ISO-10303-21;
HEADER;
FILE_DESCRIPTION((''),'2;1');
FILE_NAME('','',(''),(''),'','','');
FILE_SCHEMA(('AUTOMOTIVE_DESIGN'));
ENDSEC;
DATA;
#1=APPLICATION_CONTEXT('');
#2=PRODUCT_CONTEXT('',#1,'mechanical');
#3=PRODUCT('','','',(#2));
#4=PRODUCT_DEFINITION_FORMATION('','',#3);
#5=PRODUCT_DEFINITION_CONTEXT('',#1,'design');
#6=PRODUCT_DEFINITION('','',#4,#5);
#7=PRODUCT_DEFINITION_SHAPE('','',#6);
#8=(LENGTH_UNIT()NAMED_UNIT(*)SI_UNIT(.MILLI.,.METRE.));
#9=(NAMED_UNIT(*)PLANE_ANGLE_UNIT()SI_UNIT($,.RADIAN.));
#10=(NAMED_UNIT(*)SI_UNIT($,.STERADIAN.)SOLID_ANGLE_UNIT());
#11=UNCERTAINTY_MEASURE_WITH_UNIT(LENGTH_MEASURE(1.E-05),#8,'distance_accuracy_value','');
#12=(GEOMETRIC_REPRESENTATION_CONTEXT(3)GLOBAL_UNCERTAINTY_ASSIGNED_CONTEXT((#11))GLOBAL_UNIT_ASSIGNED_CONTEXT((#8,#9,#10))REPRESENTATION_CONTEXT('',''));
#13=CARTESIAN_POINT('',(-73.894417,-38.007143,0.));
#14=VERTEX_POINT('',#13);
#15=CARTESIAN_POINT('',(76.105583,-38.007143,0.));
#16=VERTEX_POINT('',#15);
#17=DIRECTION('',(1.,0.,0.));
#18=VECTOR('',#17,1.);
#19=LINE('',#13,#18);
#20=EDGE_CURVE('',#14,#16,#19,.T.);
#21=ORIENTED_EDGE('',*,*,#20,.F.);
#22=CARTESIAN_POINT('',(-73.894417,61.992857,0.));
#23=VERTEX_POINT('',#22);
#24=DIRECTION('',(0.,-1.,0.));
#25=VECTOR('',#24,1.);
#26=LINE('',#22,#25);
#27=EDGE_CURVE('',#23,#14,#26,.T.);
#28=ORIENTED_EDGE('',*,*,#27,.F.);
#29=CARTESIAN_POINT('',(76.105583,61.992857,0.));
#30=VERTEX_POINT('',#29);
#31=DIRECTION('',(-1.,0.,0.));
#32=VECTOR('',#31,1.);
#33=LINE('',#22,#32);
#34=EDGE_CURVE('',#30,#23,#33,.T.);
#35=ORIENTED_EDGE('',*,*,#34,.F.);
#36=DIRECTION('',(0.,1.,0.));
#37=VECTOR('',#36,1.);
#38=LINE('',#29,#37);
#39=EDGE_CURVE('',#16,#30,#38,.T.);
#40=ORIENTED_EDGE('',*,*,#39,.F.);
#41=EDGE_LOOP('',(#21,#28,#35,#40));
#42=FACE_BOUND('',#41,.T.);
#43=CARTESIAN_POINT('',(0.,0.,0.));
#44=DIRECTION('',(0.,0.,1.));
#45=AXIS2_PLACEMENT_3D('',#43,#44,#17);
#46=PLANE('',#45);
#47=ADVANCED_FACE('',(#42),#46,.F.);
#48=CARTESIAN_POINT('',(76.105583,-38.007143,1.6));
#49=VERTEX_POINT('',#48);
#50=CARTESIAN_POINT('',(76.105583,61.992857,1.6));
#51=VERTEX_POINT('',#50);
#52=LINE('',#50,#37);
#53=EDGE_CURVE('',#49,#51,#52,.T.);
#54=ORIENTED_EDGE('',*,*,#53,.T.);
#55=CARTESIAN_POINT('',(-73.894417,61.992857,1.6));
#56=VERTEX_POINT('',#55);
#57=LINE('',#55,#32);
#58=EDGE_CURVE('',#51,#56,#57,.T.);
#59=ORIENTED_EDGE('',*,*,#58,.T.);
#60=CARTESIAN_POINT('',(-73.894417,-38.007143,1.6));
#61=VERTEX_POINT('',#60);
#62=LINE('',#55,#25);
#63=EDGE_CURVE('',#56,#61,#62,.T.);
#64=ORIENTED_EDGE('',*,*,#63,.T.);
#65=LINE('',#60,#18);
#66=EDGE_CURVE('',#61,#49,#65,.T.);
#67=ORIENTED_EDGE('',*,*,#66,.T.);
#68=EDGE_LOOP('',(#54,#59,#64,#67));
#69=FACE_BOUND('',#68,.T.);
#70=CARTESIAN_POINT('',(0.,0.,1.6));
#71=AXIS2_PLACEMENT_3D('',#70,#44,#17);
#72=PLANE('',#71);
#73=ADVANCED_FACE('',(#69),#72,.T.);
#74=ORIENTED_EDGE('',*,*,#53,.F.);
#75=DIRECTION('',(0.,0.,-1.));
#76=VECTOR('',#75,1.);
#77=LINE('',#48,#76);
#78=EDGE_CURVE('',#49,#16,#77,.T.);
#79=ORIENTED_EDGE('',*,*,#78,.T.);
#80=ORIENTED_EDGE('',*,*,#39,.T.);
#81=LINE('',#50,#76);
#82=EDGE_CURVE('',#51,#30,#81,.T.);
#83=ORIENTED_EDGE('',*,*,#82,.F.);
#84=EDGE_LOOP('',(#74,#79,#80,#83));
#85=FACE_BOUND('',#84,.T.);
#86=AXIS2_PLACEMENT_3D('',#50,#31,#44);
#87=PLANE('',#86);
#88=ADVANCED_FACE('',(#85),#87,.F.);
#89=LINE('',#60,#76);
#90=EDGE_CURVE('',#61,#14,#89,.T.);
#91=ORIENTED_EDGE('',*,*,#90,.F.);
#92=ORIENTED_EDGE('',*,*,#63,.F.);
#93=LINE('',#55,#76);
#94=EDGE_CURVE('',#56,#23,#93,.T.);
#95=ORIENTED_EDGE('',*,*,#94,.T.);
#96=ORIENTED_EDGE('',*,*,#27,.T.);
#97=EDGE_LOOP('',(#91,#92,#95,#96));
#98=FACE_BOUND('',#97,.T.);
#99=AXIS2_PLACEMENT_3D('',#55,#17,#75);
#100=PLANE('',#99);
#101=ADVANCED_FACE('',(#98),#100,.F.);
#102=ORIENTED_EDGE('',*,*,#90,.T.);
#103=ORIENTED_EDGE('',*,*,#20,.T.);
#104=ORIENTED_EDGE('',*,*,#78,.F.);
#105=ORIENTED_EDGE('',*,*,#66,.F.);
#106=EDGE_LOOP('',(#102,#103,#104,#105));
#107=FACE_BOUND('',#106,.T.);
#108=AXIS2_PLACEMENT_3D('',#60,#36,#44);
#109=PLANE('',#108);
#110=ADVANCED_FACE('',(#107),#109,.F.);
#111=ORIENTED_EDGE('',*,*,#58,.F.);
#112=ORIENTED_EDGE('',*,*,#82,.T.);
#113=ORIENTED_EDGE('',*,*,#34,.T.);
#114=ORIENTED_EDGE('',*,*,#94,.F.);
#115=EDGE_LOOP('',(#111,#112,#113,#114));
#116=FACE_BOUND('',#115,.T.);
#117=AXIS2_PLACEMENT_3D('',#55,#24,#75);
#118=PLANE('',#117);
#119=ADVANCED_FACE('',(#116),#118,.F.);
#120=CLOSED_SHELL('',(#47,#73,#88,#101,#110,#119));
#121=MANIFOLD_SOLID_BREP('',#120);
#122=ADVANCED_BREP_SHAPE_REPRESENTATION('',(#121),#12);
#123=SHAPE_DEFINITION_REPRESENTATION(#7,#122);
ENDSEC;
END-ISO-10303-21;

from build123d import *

# Parameters (mm, degrees)
SKETCH_1_W      = 150
SKETCH_1_H      = 100
EXTRUDE_1_DEPTH = 1.6


with BuildPart() as part:
    # ｽｹｯﾁ1 → ﾎﾞｽ - 押し出し1 (new body)
    with BuildSketch(Plane.XY):
        with Locations((1.105582562, 11.992857143)):
            Rectangle(SKETCH_1_W, SKETCH_1_H)
    extrude(amount=EXTRUDE_1_DEPTH)


solid = part.part
